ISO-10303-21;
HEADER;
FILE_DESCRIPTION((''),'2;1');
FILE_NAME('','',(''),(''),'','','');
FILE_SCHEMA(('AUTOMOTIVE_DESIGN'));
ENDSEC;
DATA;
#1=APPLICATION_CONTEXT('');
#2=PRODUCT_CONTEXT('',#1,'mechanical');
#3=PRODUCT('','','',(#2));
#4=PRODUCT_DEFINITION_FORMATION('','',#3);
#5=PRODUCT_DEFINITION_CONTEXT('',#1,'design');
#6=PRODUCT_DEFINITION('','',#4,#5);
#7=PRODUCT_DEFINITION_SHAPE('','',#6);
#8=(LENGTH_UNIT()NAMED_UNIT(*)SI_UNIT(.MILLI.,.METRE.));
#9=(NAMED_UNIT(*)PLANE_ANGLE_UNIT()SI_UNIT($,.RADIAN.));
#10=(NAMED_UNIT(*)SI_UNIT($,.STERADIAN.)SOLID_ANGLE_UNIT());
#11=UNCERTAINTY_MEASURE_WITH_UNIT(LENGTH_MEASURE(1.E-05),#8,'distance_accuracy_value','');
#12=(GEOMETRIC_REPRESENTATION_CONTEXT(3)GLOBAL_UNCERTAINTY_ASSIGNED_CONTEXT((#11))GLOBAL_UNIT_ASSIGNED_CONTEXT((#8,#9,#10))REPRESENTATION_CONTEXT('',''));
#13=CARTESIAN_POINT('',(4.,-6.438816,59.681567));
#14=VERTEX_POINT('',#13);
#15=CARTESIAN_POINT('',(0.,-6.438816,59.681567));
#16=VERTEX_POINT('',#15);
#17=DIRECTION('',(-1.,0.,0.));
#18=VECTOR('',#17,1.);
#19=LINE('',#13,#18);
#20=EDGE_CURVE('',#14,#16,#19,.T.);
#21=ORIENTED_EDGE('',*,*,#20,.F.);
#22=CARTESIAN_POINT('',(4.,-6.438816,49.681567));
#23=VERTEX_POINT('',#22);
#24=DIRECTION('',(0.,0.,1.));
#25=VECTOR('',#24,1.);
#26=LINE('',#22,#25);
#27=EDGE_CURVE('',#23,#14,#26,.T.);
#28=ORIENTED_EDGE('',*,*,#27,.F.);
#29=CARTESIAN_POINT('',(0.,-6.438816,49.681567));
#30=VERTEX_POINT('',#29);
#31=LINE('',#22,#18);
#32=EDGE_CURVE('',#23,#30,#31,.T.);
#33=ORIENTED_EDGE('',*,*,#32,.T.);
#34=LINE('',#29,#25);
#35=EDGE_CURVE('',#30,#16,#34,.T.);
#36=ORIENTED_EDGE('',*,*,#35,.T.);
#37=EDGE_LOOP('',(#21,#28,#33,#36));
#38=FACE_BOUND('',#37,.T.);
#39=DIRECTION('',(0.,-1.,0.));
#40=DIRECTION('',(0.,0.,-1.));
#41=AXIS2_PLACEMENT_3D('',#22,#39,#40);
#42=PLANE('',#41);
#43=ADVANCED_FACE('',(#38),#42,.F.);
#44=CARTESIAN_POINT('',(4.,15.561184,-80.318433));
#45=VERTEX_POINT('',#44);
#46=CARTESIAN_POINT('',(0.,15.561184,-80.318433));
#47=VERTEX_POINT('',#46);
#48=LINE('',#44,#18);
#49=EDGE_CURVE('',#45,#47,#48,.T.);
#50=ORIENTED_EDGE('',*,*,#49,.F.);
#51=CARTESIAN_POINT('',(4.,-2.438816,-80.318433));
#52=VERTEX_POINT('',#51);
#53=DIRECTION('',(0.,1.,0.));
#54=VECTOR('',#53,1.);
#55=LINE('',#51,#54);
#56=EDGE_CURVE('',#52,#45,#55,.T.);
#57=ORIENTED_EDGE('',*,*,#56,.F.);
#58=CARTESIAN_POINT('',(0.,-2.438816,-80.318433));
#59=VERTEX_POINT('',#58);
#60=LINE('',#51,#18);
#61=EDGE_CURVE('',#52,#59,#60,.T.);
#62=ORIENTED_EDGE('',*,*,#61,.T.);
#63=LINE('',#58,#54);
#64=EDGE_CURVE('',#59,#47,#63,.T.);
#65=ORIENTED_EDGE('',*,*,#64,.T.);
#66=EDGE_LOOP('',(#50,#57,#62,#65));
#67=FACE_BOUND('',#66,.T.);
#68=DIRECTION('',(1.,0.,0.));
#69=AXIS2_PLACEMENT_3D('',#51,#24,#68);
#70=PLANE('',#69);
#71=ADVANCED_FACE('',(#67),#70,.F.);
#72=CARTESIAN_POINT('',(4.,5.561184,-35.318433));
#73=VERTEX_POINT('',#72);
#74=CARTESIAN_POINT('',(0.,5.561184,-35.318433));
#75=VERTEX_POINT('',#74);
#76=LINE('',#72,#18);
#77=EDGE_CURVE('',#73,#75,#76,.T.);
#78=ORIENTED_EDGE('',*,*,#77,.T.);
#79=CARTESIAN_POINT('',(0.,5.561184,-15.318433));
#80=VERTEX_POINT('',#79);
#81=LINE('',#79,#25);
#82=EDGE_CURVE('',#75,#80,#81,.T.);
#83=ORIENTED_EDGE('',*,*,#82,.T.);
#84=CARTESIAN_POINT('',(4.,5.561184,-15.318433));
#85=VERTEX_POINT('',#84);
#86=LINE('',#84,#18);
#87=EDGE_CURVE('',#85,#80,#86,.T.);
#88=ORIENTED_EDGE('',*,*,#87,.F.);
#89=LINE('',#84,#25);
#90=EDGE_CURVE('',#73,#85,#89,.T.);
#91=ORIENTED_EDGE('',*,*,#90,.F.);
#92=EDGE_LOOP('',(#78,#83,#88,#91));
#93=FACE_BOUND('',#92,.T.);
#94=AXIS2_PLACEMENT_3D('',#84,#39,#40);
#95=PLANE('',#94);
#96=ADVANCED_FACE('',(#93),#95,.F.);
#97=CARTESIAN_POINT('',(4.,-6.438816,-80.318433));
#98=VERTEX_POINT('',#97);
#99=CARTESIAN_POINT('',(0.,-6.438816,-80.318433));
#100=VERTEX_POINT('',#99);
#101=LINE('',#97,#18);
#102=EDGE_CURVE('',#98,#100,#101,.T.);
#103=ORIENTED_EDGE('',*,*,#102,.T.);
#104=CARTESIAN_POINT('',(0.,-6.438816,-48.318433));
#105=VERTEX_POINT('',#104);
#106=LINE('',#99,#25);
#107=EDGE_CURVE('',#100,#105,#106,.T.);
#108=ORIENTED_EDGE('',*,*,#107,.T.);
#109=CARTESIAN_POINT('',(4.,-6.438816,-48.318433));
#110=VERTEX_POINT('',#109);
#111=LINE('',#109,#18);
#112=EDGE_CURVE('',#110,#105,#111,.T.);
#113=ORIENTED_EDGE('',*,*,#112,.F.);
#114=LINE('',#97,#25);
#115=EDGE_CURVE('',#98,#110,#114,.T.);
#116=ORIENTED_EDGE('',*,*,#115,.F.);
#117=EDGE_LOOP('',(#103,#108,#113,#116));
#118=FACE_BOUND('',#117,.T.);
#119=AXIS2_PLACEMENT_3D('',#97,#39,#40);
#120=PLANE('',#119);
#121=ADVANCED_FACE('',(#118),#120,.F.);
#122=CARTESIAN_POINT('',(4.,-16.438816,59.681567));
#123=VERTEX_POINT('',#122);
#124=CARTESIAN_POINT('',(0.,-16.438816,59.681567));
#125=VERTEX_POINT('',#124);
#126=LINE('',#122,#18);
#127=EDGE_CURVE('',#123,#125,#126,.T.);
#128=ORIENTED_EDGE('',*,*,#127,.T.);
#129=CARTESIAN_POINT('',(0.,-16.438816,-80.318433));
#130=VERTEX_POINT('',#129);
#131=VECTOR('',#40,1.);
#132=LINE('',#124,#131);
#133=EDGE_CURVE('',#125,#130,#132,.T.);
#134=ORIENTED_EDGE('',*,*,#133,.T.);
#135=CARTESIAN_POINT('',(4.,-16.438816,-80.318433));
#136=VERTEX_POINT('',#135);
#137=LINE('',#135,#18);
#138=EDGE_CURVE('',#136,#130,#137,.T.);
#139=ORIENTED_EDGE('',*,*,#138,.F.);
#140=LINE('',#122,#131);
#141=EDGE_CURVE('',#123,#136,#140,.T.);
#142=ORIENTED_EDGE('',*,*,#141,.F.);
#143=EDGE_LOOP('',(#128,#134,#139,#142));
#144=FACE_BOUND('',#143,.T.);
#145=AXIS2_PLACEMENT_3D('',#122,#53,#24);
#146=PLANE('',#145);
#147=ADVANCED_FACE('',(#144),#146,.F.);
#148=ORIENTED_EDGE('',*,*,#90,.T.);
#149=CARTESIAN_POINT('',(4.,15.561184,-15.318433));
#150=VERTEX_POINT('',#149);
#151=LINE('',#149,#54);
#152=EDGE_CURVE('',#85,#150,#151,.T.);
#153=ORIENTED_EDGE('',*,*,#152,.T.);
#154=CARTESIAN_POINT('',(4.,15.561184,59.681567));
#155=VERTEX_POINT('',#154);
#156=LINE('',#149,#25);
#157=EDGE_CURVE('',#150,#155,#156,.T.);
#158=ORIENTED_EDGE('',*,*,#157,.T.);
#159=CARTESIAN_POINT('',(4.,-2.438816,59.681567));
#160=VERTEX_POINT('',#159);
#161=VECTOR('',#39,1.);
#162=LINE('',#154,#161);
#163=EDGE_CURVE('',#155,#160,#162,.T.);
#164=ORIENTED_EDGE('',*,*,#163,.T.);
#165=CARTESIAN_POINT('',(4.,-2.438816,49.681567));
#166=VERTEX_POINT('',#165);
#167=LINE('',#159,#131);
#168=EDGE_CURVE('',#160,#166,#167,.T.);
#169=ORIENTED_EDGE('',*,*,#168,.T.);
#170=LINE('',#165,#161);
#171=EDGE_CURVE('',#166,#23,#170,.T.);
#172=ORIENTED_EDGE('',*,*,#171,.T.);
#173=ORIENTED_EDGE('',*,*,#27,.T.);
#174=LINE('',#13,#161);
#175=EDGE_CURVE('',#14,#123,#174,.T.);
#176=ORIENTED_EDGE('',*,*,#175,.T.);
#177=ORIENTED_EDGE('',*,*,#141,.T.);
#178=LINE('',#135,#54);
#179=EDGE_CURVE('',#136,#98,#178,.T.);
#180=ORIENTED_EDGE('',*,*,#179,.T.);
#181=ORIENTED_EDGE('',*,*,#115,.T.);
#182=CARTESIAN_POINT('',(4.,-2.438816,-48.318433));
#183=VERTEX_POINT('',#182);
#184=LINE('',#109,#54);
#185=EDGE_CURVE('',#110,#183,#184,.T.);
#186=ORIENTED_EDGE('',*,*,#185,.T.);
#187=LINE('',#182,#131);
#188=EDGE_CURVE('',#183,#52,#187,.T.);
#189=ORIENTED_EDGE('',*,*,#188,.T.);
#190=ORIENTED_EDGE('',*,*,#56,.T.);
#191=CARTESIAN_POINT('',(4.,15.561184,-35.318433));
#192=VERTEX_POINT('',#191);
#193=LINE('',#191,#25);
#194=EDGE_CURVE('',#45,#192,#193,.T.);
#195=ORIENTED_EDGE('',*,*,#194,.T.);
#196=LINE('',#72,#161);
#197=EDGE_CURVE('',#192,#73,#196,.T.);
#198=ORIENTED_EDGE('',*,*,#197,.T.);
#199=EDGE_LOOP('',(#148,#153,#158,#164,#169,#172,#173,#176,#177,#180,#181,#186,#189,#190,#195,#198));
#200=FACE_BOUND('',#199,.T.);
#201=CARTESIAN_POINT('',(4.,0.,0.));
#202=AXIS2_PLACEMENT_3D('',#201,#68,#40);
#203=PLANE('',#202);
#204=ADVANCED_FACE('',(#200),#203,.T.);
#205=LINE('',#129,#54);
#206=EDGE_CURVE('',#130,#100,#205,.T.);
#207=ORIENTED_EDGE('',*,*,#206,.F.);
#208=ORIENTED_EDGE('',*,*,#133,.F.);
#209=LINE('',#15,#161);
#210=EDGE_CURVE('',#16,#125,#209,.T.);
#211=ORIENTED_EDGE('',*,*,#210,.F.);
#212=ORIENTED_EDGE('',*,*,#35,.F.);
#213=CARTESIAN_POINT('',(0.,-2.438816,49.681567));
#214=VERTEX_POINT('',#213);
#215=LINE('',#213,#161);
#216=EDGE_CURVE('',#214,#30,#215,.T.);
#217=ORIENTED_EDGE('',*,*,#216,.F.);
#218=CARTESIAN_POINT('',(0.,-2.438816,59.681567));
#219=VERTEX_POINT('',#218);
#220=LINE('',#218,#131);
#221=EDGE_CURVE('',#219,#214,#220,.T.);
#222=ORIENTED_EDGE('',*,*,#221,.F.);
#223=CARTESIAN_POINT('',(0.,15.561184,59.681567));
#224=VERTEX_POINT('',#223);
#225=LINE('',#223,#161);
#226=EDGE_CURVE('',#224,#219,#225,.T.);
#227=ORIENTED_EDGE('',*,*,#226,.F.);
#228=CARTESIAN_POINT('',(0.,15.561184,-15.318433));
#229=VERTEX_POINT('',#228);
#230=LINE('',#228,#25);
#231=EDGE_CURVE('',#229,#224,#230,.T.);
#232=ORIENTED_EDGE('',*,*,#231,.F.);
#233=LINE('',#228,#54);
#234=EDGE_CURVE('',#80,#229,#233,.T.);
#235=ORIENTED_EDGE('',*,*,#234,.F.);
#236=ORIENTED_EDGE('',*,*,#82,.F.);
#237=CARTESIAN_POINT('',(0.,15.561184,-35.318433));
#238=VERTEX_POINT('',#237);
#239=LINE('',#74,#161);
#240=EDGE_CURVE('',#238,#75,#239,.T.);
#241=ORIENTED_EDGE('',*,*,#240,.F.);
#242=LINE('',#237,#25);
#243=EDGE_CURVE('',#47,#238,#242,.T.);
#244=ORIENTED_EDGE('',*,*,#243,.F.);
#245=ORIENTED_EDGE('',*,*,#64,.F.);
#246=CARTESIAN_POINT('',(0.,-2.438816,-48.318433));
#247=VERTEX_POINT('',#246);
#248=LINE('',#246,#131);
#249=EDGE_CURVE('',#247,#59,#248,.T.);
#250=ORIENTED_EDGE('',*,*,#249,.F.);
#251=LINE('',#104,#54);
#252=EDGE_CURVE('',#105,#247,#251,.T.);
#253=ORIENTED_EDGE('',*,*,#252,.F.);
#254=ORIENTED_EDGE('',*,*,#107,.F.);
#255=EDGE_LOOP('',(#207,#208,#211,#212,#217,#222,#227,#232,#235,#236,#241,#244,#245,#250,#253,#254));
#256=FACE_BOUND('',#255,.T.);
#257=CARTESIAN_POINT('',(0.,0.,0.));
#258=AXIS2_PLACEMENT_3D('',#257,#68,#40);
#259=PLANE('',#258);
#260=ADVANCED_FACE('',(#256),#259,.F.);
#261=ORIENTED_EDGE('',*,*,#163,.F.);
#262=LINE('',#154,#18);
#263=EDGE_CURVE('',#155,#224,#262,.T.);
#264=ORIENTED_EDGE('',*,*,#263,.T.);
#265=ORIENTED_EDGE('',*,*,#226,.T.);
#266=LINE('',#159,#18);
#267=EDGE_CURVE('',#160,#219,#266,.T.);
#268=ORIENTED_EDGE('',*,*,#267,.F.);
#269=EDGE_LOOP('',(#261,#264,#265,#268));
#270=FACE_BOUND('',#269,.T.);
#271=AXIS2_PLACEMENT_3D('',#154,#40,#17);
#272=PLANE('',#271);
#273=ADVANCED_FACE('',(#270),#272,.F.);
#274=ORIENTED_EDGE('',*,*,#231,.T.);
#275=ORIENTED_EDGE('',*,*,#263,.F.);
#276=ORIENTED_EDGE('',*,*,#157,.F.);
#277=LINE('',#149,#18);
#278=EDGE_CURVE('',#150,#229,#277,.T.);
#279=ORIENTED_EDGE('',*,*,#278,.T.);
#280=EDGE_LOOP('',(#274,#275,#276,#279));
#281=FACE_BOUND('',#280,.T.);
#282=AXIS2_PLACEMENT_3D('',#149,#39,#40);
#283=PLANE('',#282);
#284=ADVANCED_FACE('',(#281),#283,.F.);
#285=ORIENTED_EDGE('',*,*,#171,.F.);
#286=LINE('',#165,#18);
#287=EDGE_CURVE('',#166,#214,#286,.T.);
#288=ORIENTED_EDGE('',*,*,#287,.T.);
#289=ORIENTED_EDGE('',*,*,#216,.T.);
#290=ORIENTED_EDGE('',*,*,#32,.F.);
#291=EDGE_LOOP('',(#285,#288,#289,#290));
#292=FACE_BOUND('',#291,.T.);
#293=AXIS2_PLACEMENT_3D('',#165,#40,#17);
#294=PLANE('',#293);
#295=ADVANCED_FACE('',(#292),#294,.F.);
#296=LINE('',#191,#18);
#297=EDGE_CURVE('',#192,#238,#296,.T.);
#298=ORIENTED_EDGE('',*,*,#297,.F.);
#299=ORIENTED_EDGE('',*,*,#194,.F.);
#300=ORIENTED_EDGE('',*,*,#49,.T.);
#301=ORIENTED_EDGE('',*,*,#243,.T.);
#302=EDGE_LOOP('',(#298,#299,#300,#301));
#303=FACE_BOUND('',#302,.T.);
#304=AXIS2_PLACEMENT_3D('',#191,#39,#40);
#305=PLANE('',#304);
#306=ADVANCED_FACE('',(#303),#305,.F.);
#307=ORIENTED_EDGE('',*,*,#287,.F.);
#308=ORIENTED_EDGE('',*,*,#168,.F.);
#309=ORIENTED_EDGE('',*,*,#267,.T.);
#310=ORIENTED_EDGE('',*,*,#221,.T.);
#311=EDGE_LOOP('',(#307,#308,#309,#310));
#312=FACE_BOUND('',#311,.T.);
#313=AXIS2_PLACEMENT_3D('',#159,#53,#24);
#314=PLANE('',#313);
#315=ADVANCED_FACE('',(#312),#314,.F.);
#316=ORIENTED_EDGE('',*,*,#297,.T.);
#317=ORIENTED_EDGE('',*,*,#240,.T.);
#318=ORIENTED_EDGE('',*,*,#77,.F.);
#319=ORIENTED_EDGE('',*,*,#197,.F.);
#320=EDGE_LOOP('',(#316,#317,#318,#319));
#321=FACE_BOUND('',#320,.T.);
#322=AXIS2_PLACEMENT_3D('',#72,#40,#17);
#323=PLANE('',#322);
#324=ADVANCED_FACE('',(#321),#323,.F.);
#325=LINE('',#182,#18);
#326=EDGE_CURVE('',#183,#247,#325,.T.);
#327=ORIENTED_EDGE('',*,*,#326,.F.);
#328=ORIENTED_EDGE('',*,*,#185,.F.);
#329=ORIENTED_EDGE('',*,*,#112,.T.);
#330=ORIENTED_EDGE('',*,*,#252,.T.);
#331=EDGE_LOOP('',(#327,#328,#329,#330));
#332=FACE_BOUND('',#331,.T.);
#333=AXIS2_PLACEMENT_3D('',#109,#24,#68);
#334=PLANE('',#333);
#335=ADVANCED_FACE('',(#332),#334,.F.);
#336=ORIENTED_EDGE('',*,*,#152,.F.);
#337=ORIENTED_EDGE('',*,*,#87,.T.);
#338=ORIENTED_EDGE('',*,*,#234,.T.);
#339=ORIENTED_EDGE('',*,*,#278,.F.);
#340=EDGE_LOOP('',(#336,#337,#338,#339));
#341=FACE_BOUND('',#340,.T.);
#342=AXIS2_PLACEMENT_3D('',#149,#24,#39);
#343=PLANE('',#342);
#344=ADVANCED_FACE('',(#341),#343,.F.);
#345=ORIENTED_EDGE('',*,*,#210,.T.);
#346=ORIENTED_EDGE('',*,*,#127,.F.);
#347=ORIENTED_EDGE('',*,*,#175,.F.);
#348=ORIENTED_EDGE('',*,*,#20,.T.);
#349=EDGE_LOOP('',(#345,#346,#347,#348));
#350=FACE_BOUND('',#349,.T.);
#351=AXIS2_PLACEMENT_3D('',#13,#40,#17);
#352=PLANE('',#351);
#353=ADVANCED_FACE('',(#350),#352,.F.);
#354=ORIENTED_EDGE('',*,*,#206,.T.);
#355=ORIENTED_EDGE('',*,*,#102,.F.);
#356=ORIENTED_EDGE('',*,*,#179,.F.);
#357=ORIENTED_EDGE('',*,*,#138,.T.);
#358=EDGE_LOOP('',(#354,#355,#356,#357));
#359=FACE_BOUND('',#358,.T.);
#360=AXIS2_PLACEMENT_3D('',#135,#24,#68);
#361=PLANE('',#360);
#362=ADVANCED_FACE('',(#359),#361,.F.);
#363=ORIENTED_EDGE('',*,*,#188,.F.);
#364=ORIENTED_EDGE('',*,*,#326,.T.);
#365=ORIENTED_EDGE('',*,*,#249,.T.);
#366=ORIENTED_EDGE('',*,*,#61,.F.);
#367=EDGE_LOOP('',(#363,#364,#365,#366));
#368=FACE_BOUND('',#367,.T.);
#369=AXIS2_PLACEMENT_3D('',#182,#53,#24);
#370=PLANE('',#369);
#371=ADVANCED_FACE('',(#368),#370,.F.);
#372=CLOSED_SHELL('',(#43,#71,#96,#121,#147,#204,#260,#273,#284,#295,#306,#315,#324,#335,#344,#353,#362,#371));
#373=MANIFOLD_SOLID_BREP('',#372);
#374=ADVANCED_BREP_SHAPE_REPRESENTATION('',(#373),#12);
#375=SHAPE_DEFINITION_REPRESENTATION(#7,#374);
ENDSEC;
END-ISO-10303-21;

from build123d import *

# Parameters (mm, degrees)
BOSS_EXTRUDE1_DEPTH = 4


with BuildPart() as part:
    # Sketch1 → Boss-Extrude1 (new body)
    with BuildSketch(Plane(origin=(0, 0, 0), x_dir=(0, 0, -1), z_dir=(1, 0, 0))):
        Polygon((-59.681566678, 15.561183988), (-59.681566678, -2.438816012), (-49.681566678, -2.438816012), (-49.681566678, -6.438816012), (-59.681566678, -6.438816012), (-59.681566678, -16.438816012), (80.318433322, -16.438816012), (80.318433322, -6.438816012), (48.318433322, -6.438816012), (48.318433322, -2.438816012), (80.318433322, -2.438816012), (80.318433322, 15.561183988), (35.318433322, 15.561183988), (35.318433322, 5.561183988), (15.318433322, 5.561183988), (15.318433322, 15.561183988), align=None)
    extrude(amount=BOSS_EXTRUDE1_DEPTH)


solid = part.part
